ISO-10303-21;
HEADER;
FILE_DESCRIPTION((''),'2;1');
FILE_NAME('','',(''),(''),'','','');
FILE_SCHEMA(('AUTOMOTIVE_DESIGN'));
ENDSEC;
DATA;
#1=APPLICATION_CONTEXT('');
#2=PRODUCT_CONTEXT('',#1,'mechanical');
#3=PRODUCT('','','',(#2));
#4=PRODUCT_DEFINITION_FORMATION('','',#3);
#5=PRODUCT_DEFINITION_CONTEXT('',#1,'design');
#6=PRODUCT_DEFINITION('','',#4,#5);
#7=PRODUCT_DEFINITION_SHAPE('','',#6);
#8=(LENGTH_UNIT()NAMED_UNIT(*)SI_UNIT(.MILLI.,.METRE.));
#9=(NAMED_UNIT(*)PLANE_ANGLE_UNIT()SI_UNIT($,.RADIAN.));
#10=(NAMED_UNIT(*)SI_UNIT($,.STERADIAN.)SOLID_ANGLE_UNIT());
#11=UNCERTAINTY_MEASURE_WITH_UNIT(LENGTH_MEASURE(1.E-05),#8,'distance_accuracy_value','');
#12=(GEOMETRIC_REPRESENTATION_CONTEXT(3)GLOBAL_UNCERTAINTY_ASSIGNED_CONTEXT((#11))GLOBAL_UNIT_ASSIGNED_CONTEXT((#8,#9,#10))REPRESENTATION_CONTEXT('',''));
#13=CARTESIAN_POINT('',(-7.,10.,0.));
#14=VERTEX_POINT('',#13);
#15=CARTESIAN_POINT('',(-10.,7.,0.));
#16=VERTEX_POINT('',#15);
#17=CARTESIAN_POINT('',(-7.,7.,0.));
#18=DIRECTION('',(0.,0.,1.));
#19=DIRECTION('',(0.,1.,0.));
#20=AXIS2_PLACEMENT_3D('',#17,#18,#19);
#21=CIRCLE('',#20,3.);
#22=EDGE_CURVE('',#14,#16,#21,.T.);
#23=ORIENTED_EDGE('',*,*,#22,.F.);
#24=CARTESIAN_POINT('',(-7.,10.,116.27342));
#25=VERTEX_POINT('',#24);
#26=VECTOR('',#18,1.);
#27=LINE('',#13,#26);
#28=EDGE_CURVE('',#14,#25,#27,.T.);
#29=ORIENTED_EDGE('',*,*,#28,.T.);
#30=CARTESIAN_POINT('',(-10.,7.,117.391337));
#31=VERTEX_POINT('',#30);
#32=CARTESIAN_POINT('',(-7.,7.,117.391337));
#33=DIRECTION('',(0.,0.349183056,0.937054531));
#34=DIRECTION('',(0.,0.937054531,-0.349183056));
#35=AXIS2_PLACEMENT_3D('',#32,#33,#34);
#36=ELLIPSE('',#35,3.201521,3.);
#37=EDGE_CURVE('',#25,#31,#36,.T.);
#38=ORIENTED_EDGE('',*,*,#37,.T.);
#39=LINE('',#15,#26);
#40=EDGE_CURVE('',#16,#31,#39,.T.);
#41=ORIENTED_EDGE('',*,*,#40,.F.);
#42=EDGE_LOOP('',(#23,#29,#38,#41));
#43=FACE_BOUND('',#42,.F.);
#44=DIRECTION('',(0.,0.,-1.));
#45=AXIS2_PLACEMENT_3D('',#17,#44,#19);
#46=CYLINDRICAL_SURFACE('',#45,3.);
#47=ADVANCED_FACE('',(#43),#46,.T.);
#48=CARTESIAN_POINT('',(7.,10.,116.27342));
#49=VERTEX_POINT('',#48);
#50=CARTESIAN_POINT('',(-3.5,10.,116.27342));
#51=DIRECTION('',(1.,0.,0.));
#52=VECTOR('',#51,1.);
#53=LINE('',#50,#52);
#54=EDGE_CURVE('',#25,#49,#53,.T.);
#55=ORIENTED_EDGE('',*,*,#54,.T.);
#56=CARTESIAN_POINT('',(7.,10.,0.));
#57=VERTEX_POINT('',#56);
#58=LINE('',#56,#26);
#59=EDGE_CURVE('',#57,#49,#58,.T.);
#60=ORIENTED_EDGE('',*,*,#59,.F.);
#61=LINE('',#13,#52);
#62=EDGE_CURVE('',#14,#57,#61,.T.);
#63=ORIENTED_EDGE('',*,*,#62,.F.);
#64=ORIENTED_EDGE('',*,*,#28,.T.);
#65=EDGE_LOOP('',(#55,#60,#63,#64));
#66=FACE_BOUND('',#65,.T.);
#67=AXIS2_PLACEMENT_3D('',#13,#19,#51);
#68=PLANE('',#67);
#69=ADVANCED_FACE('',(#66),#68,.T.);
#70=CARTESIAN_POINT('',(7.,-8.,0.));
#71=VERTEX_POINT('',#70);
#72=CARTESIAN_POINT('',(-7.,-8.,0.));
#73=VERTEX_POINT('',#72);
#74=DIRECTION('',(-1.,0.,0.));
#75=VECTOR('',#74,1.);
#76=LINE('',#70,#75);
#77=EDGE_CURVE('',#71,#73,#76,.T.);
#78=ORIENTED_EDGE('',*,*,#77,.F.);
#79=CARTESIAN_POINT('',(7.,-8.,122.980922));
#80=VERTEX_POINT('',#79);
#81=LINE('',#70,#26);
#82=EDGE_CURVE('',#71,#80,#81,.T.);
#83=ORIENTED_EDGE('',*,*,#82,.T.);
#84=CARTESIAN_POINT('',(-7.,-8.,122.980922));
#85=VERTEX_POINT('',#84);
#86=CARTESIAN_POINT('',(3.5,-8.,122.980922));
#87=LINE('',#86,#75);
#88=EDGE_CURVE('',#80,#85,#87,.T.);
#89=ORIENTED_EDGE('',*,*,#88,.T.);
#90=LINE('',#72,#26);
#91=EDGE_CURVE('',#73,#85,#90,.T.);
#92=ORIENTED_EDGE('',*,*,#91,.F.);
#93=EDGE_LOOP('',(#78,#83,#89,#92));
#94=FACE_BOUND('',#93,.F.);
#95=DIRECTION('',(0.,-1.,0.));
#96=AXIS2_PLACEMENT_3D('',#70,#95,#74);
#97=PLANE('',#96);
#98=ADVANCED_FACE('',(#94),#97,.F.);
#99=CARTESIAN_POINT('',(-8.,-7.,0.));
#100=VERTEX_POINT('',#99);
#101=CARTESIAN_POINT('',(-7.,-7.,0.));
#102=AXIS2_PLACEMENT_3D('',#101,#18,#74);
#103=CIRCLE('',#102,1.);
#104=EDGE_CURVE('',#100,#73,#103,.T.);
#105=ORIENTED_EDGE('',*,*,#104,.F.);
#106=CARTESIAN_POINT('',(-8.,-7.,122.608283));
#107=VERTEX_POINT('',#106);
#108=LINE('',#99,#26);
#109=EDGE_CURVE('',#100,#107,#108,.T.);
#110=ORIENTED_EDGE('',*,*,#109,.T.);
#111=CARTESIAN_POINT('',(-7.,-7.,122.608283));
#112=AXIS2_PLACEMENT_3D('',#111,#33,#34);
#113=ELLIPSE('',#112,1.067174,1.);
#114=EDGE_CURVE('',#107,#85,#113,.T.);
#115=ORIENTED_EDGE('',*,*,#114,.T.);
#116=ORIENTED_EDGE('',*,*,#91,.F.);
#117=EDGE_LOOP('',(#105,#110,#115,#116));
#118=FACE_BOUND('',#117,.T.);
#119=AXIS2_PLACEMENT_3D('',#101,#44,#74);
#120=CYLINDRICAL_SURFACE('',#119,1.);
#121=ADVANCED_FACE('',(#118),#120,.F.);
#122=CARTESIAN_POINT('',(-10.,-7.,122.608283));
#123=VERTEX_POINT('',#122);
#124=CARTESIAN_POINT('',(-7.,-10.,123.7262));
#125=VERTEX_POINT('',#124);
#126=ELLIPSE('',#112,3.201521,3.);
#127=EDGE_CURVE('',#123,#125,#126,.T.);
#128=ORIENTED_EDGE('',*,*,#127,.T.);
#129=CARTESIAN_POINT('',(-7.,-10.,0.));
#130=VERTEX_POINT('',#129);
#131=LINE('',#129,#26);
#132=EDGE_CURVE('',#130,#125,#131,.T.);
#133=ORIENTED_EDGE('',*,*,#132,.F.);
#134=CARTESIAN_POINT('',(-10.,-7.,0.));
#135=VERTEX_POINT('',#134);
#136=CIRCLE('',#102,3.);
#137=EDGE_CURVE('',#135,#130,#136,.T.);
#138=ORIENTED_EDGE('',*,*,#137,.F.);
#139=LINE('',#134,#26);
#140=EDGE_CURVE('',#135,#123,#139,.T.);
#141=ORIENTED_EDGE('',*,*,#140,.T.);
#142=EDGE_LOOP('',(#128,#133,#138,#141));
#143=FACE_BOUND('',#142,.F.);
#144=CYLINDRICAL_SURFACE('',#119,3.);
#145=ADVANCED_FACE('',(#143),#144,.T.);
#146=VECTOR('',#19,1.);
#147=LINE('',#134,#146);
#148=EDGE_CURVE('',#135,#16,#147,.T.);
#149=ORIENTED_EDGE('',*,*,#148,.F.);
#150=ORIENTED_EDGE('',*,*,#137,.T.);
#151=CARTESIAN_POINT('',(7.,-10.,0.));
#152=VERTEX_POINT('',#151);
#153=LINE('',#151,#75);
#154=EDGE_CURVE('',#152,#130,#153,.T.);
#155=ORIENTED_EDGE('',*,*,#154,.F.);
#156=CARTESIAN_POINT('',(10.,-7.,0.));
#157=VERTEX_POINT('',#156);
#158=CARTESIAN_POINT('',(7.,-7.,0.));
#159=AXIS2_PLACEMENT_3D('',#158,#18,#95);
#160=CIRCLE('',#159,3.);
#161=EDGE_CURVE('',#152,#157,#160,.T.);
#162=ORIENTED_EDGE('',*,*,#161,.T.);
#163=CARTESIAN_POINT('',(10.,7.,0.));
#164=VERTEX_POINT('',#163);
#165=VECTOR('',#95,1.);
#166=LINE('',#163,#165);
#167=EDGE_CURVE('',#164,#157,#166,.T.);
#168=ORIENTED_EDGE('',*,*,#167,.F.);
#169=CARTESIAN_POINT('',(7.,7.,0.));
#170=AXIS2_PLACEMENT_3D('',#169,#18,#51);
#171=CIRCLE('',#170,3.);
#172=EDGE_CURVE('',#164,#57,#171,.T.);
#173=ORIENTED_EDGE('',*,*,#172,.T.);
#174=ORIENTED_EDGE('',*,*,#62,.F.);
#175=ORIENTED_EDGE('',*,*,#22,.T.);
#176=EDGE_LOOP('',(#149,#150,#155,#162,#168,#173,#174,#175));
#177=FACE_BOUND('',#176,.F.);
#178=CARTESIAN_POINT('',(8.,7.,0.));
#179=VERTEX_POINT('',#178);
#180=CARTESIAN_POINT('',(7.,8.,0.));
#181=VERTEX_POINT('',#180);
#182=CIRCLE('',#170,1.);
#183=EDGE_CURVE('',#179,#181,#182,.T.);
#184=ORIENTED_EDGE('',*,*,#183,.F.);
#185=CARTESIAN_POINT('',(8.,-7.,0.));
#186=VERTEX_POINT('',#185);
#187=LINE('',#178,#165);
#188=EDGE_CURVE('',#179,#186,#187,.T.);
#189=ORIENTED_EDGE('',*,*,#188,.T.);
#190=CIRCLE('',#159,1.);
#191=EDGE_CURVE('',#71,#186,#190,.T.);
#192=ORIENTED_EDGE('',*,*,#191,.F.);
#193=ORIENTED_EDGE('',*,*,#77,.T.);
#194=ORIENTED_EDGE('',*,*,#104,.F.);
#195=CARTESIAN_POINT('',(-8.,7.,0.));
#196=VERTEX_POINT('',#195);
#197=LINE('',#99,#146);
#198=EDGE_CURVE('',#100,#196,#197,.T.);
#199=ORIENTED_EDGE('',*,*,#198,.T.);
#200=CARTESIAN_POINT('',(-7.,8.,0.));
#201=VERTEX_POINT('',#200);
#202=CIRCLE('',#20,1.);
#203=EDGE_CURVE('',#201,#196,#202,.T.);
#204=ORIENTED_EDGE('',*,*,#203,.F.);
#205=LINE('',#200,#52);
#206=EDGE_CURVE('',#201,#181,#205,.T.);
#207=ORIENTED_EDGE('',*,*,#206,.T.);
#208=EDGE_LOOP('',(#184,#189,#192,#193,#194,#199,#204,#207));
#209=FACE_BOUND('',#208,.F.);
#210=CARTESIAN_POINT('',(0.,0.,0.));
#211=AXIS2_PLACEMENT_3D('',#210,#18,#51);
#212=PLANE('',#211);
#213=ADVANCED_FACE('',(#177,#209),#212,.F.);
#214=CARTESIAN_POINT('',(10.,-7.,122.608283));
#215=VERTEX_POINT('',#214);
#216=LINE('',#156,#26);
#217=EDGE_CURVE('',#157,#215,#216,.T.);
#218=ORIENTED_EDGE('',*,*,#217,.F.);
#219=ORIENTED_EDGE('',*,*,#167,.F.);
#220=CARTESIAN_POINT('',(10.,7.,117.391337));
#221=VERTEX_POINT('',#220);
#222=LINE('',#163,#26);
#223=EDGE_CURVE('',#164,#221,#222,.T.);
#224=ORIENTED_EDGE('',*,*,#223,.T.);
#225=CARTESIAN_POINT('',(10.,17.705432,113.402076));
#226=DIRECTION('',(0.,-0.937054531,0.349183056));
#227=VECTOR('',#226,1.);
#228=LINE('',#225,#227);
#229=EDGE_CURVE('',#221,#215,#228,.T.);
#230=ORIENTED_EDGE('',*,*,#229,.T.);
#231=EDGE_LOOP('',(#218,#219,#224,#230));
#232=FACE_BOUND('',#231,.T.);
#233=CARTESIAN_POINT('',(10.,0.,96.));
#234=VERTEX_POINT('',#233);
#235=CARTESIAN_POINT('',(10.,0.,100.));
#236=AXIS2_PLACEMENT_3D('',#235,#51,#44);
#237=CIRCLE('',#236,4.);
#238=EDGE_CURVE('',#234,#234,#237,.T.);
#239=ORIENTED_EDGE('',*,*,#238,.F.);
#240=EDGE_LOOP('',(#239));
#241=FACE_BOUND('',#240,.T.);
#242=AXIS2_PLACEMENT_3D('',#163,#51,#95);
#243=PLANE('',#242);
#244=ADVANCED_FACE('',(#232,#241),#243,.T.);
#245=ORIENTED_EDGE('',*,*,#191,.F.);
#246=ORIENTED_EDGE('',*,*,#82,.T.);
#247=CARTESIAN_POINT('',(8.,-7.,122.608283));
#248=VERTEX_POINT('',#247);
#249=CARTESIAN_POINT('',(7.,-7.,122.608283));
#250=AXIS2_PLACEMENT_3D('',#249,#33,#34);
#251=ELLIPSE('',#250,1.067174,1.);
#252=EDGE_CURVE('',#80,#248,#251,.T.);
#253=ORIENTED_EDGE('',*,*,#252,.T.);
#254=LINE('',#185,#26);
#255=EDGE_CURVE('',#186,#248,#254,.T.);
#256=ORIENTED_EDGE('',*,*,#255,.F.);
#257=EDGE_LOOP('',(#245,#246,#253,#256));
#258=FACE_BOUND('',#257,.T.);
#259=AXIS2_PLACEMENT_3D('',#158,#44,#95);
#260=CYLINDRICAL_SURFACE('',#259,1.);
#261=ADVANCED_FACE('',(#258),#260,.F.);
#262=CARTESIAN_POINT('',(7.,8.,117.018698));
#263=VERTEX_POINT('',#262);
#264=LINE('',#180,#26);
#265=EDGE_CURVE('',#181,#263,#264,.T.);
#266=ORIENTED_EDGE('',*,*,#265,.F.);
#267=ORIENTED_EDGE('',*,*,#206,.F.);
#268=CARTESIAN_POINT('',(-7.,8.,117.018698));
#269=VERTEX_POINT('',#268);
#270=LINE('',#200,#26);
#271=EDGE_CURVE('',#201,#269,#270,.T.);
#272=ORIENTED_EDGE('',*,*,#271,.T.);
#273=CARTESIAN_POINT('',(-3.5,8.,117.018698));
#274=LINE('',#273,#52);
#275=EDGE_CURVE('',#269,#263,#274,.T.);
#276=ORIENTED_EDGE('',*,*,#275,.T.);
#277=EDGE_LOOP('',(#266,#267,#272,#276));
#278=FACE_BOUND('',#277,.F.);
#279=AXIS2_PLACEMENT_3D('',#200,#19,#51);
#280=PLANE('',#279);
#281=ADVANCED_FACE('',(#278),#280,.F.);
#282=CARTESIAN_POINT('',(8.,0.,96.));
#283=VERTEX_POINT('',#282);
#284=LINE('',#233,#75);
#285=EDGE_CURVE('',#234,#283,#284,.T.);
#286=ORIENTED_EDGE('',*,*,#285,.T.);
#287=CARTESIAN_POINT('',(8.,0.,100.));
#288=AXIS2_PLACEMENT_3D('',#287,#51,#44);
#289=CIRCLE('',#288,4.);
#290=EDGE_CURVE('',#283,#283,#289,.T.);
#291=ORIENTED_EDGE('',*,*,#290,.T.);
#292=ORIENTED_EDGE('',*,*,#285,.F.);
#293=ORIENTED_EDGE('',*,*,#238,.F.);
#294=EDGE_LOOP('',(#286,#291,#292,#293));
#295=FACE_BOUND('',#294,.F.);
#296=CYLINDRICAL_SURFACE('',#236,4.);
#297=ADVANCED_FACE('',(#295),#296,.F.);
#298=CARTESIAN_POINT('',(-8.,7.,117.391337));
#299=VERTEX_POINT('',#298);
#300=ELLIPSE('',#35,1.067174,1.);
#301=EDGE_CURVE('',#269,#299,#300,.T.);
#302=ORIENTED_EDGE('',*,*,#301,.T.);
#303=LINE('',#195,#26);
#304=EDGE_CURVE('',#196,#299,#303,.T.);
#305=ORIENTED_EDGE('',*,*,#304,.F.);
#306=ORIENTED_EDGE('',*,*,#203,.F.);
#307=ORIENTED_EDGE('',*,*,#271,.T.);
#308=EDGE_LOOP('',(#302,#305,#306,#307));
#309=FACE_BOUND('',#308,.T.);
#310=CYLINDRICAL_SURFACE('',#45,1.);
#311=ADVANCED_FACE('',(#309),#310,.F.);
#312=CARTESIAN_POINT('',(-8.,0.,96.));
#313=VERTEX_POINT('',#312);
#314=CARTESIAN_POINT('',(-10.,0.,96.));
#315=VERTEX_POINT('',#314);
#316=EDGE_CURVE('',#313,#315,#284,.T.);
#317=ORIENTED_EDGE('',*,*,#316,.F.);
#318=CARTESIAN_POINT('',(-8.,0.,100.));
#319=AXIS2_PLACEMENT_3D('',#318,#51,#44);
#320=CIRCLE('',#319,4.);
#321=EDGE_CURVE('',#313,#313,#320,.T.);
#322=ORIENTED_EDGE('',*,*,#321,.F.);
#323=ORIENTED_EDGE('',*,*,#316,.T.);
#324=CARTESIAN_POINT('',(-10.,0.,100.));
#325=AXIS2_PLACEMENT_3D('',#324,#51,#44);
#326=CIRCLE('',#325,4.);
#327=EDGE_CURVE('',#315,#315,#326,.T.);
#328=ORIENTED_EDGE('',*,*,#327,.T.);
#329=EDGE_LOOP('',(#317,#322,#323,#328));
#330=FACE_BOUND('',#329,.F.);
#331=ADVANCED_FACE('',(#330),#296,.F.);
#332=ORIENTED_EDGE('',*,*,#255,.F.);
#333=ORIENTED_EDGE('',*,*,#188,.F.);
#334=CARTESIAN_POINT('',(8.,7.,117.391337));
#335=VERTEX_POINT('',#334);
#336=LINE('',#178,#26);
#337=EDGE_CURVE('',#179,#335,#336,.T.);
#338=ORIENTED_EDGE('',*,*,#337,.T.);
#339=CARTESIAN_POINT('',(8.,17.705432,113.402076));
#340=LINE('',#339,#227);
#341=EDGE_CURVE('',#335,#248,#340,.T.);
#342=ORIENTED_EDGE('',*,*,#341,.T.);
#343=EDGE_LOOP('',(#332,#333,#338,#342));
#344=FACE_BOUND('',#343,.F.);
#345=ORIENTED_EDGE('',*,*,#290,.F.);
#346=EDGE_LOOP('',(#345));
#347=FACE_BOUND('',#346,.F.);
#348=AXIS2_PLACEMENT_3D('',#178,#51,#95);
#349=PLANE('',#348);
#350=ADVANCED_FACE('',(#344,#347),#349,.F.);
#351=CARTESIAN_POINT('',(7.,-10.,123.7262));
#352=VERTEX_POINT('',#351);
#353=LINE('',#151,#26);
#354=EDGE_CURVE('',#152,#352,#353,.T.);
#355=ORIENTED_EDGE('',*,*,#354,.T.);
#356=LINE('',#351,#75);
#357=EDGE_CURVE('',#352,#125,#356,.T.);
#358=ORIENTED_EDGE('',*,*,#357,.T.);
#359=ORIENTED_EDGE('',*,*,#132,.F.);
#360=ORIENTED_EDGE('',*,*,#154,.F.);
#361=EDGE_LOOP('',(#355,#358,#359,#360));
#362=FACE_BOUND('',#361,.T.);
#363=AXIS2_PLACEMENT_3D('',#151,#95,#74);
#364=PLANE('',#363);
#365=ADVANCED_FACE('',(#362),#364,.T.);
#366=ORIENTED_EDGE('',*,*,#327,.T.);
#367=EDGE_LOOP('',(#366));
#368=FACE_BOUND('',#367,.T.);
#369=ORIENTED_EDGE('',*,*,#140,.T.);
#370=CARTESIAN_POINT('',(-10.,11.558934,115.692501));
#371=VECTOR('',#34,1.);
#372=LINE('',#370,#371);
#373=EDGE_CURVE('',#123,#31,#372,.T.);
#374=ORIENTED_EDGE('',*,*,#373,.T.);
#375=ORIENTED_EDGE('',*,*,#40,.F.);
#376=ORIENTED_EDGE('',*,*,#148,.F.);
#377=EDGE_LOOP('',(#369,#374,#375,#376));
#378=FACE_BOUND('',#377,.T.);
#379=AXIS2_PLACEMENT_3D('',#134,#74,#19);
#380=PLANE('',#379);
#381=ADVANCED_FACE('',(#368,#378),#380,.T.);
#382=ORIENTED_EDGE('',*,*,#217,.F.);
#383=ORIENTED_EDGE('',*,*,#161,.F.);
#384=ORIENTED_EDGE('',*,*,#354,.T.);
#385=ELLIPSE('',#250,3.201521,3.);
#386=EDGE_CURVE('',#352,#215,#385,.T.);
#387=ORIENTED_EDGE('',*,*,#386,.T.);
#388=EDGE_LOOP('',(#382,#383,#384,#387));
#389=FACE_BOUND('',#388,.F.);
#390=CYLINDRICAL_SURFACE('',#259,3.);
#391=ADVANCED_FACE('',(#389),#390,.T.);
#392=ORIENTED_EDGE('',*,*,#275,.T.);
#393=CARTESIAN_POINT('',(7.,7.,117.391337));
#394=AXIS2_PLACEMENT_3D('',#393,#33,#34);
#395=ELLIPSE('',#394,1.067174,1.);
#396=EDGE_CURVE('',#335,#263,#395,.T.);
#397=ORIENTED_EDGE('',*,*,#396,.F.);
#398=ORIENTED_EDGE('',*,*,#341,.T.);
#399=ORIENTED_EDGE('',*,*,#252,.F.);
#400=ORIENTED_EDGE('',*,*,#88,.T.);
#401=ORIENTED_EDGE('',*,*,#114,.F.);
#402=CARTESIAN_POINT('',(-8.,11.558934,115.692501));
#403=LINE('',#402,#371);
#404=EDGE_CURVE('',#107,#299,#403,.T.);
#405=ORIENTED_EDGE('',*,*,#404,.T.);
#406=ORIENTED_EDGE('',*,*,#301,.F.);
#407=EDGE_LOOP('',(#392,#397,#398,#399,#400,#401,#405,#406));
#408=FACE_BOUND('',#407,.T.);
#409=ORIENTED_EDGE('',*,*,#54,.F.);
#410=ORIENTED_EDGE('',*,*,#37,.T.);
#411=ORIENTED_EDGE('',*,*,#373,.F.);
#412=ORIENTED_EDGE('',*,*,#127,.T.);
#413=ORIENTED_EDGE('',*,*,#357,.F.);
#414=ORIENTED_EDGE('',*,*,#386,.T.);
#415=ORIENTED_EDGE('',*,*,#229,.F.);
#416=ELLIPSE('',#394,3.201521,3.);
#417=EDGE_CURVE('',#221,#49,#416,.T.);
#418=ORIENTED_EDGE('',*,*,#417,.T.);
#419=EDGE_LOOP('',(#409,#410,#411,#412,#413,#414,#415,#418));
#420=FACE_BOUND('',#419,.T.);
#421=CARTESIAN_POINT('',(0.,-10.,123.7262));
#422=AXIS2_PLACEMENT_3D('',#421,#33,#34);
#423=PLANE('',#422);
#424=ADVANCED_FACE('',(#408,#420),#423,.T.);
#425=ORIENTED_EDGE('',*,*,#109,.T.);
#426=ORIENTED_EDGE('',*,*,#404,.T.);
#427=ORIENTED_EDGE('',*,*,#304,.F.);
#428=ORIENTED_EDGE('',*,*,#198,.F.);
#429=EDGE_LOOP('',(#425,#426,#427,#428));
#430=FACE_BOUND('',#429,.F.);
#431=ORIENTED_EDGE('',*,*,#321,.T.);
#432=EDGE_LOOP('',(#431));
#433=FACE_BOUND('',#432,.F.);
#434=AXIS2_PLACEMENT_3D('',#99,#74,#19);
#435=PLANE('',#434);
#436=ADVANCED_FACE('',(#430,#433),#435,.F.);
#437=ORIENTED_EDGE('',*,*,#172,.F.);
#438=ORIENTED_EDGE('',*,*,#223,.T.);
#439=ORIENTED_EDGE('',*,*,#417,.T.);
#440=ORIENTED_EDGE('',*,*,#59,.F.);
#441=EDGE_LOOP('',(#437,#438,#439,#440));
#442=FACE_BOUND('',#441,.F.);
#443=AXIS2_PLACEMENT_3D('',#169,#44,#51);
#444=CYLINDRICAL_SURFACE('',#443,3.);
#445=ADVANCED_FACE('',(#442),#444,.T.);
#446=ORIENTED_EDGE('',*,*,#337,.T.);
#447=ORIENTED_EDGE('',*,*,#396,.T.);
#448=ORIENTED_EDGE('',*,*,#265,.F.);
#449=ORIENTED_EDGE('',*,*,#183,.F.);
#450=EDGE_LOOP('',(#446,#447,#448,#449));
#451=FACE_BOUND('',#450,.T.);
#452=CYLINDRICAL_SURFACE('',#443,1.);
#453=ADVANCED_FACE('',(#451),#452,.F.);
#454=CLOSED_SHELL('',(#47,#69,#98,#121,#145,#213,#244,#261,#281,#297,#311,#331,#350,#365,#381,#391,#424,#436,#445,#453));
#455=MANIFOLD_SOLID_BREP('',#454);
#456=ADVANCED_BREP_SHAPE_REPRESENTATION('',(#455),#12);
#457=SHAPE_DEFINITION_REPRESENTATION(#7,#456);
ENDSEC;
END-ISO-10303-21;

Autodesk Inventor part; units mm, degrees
ref_plane "Start Plane" through (0, 0, 0) normal (0, 0, 1) x (1, 0, 0)
ref_plane "End Plane" through (0, 0, 123.7262) normal (0, 0, 1) x (1, 0, 0)
sketch "Sketch" plane through (0, 0, 0) normal (0, 0, 1) x (1, 0, 0)
  line L0 (-10, -7) -> (-10, 7)
  line L1 (-7, 10) -> (7, 10)
  line L2 (10, 7) -> (10, -7)
  line L3 (7, -10) -> (-7, -10)
  arc A0 (-10, -7) -> (-7, -10) centre (-7, -7) ccw
  arc A1 (-7, 10) -> (-10, 7) centre (-7, 7) ccw
  arc A2 (10, 7) -> (7, 10) centre (7, 7) ccw
  arc A3 (7, -10) -> (10, -7) centre (7, -7) ccw
  arc A4 (-7, 8) -> (-8, 7) centre (-7, 7) ccw
  line L4 (-7, 8) -> (7, 8)
  arc A5 (8, 7) -> (7, 8) centre (7, 7) ccw
  line L5 (8, 7) -> (8, -7)
  arc A6 (7, -8) -> (8, -7) centre (7, -7) ccw
  line L6 (7, -8) -> (-7, -8)
  arc A7 (-8, -7) -> (-7, -8) centre (-7, -7) ccw
  line L7 (-8, -7) -> (-8, 7)
  line L8 (0, 14.8698) -> (0, -14.8698) construction
  line L9 (-14.8698, 0) -> (14.8698, 0) construction
  dimension "d7" = 3
  dimension "d10" = 20
  dimension "d11" = 20
  dimension "d12" = 2
  dimension "d15" = 10
  dimension "d16" = 10
extrude "Body" add sketch "Sketch" along normal up to surface (123.7262 mm away) from surface at 0
sketch "Sketch3" plane through (0, 0, 0) normal (0, 0, 1) x (1, 0, 0)
  line L0 (0, 0) -> (10, 0)
ref_plane "Work Plane3" through (0, 0, 0) normal (0, -1, 0) x (1, 0, 0)
sketch "Sketch4" plane through (0, 0, 0) normal (0, -1, 0) x (1, 0, 0)
  line L0 (-2, 0) -> (12, 0)
  line L1 (-2, 123.7262) -> (12, 123.7262)
  dimension "d18" = 123.7262
ref_plane "Work Plane5" through (0, -10, 123.7262) normal (0, 0.3492, 0.9371) x (1, 0, 0)
split "Split2" plane through (0, -10, 123.7262) removes the side toward (0, 0.3492, 0.9371)
sketch "Sketch5" plane through (10, -7, 0) normal (1, 0, 0) x (0, 0, -1)
  circle A0 centre (-100, 7) radius 4 projected
  line L0 (0, 0) -> (-122.6083, 0) projected
  line L1 (0, 14) -> (0, 0) projected
  line L2 (0, 14) -> (-117.3917, 14) projected
  line L3 (-117.3917, 14) -> (-122.6083, 0) projected
  point P0 (0, 7)
extrude "Extrusion2" cut sketch "Sketch5" against normal through all contours A0
equation "\"d7\" = G_IR"
equation "\"d10\" = G_H"
equation "\"d11\" = G_W"
equation "\"d12\" = G_T"
equation "\"d15\" = 0.5 * d10"
equation "\"d16\" = 0.5 * d11"
equation "\"d3\" = G_L"
equation "\"G_W\" = 20"
equation "\"G_H\" = 20"
equation "\"G_T\" = 2"
equation "\"G_IR\" = 3"
equation "\"G_L\" = d18"
equation "\"G_OFFSET_START\" = 0"
equation "\"G_OFFSET_END\" = 3.72616"
equation "\"d14\" = G_OFFSET_END + B_L"
equation "\"B_L\" = 120"
properties part number "ISO 12633-2 - 20x20x2 - 123,73" material "Steel, Mild"
